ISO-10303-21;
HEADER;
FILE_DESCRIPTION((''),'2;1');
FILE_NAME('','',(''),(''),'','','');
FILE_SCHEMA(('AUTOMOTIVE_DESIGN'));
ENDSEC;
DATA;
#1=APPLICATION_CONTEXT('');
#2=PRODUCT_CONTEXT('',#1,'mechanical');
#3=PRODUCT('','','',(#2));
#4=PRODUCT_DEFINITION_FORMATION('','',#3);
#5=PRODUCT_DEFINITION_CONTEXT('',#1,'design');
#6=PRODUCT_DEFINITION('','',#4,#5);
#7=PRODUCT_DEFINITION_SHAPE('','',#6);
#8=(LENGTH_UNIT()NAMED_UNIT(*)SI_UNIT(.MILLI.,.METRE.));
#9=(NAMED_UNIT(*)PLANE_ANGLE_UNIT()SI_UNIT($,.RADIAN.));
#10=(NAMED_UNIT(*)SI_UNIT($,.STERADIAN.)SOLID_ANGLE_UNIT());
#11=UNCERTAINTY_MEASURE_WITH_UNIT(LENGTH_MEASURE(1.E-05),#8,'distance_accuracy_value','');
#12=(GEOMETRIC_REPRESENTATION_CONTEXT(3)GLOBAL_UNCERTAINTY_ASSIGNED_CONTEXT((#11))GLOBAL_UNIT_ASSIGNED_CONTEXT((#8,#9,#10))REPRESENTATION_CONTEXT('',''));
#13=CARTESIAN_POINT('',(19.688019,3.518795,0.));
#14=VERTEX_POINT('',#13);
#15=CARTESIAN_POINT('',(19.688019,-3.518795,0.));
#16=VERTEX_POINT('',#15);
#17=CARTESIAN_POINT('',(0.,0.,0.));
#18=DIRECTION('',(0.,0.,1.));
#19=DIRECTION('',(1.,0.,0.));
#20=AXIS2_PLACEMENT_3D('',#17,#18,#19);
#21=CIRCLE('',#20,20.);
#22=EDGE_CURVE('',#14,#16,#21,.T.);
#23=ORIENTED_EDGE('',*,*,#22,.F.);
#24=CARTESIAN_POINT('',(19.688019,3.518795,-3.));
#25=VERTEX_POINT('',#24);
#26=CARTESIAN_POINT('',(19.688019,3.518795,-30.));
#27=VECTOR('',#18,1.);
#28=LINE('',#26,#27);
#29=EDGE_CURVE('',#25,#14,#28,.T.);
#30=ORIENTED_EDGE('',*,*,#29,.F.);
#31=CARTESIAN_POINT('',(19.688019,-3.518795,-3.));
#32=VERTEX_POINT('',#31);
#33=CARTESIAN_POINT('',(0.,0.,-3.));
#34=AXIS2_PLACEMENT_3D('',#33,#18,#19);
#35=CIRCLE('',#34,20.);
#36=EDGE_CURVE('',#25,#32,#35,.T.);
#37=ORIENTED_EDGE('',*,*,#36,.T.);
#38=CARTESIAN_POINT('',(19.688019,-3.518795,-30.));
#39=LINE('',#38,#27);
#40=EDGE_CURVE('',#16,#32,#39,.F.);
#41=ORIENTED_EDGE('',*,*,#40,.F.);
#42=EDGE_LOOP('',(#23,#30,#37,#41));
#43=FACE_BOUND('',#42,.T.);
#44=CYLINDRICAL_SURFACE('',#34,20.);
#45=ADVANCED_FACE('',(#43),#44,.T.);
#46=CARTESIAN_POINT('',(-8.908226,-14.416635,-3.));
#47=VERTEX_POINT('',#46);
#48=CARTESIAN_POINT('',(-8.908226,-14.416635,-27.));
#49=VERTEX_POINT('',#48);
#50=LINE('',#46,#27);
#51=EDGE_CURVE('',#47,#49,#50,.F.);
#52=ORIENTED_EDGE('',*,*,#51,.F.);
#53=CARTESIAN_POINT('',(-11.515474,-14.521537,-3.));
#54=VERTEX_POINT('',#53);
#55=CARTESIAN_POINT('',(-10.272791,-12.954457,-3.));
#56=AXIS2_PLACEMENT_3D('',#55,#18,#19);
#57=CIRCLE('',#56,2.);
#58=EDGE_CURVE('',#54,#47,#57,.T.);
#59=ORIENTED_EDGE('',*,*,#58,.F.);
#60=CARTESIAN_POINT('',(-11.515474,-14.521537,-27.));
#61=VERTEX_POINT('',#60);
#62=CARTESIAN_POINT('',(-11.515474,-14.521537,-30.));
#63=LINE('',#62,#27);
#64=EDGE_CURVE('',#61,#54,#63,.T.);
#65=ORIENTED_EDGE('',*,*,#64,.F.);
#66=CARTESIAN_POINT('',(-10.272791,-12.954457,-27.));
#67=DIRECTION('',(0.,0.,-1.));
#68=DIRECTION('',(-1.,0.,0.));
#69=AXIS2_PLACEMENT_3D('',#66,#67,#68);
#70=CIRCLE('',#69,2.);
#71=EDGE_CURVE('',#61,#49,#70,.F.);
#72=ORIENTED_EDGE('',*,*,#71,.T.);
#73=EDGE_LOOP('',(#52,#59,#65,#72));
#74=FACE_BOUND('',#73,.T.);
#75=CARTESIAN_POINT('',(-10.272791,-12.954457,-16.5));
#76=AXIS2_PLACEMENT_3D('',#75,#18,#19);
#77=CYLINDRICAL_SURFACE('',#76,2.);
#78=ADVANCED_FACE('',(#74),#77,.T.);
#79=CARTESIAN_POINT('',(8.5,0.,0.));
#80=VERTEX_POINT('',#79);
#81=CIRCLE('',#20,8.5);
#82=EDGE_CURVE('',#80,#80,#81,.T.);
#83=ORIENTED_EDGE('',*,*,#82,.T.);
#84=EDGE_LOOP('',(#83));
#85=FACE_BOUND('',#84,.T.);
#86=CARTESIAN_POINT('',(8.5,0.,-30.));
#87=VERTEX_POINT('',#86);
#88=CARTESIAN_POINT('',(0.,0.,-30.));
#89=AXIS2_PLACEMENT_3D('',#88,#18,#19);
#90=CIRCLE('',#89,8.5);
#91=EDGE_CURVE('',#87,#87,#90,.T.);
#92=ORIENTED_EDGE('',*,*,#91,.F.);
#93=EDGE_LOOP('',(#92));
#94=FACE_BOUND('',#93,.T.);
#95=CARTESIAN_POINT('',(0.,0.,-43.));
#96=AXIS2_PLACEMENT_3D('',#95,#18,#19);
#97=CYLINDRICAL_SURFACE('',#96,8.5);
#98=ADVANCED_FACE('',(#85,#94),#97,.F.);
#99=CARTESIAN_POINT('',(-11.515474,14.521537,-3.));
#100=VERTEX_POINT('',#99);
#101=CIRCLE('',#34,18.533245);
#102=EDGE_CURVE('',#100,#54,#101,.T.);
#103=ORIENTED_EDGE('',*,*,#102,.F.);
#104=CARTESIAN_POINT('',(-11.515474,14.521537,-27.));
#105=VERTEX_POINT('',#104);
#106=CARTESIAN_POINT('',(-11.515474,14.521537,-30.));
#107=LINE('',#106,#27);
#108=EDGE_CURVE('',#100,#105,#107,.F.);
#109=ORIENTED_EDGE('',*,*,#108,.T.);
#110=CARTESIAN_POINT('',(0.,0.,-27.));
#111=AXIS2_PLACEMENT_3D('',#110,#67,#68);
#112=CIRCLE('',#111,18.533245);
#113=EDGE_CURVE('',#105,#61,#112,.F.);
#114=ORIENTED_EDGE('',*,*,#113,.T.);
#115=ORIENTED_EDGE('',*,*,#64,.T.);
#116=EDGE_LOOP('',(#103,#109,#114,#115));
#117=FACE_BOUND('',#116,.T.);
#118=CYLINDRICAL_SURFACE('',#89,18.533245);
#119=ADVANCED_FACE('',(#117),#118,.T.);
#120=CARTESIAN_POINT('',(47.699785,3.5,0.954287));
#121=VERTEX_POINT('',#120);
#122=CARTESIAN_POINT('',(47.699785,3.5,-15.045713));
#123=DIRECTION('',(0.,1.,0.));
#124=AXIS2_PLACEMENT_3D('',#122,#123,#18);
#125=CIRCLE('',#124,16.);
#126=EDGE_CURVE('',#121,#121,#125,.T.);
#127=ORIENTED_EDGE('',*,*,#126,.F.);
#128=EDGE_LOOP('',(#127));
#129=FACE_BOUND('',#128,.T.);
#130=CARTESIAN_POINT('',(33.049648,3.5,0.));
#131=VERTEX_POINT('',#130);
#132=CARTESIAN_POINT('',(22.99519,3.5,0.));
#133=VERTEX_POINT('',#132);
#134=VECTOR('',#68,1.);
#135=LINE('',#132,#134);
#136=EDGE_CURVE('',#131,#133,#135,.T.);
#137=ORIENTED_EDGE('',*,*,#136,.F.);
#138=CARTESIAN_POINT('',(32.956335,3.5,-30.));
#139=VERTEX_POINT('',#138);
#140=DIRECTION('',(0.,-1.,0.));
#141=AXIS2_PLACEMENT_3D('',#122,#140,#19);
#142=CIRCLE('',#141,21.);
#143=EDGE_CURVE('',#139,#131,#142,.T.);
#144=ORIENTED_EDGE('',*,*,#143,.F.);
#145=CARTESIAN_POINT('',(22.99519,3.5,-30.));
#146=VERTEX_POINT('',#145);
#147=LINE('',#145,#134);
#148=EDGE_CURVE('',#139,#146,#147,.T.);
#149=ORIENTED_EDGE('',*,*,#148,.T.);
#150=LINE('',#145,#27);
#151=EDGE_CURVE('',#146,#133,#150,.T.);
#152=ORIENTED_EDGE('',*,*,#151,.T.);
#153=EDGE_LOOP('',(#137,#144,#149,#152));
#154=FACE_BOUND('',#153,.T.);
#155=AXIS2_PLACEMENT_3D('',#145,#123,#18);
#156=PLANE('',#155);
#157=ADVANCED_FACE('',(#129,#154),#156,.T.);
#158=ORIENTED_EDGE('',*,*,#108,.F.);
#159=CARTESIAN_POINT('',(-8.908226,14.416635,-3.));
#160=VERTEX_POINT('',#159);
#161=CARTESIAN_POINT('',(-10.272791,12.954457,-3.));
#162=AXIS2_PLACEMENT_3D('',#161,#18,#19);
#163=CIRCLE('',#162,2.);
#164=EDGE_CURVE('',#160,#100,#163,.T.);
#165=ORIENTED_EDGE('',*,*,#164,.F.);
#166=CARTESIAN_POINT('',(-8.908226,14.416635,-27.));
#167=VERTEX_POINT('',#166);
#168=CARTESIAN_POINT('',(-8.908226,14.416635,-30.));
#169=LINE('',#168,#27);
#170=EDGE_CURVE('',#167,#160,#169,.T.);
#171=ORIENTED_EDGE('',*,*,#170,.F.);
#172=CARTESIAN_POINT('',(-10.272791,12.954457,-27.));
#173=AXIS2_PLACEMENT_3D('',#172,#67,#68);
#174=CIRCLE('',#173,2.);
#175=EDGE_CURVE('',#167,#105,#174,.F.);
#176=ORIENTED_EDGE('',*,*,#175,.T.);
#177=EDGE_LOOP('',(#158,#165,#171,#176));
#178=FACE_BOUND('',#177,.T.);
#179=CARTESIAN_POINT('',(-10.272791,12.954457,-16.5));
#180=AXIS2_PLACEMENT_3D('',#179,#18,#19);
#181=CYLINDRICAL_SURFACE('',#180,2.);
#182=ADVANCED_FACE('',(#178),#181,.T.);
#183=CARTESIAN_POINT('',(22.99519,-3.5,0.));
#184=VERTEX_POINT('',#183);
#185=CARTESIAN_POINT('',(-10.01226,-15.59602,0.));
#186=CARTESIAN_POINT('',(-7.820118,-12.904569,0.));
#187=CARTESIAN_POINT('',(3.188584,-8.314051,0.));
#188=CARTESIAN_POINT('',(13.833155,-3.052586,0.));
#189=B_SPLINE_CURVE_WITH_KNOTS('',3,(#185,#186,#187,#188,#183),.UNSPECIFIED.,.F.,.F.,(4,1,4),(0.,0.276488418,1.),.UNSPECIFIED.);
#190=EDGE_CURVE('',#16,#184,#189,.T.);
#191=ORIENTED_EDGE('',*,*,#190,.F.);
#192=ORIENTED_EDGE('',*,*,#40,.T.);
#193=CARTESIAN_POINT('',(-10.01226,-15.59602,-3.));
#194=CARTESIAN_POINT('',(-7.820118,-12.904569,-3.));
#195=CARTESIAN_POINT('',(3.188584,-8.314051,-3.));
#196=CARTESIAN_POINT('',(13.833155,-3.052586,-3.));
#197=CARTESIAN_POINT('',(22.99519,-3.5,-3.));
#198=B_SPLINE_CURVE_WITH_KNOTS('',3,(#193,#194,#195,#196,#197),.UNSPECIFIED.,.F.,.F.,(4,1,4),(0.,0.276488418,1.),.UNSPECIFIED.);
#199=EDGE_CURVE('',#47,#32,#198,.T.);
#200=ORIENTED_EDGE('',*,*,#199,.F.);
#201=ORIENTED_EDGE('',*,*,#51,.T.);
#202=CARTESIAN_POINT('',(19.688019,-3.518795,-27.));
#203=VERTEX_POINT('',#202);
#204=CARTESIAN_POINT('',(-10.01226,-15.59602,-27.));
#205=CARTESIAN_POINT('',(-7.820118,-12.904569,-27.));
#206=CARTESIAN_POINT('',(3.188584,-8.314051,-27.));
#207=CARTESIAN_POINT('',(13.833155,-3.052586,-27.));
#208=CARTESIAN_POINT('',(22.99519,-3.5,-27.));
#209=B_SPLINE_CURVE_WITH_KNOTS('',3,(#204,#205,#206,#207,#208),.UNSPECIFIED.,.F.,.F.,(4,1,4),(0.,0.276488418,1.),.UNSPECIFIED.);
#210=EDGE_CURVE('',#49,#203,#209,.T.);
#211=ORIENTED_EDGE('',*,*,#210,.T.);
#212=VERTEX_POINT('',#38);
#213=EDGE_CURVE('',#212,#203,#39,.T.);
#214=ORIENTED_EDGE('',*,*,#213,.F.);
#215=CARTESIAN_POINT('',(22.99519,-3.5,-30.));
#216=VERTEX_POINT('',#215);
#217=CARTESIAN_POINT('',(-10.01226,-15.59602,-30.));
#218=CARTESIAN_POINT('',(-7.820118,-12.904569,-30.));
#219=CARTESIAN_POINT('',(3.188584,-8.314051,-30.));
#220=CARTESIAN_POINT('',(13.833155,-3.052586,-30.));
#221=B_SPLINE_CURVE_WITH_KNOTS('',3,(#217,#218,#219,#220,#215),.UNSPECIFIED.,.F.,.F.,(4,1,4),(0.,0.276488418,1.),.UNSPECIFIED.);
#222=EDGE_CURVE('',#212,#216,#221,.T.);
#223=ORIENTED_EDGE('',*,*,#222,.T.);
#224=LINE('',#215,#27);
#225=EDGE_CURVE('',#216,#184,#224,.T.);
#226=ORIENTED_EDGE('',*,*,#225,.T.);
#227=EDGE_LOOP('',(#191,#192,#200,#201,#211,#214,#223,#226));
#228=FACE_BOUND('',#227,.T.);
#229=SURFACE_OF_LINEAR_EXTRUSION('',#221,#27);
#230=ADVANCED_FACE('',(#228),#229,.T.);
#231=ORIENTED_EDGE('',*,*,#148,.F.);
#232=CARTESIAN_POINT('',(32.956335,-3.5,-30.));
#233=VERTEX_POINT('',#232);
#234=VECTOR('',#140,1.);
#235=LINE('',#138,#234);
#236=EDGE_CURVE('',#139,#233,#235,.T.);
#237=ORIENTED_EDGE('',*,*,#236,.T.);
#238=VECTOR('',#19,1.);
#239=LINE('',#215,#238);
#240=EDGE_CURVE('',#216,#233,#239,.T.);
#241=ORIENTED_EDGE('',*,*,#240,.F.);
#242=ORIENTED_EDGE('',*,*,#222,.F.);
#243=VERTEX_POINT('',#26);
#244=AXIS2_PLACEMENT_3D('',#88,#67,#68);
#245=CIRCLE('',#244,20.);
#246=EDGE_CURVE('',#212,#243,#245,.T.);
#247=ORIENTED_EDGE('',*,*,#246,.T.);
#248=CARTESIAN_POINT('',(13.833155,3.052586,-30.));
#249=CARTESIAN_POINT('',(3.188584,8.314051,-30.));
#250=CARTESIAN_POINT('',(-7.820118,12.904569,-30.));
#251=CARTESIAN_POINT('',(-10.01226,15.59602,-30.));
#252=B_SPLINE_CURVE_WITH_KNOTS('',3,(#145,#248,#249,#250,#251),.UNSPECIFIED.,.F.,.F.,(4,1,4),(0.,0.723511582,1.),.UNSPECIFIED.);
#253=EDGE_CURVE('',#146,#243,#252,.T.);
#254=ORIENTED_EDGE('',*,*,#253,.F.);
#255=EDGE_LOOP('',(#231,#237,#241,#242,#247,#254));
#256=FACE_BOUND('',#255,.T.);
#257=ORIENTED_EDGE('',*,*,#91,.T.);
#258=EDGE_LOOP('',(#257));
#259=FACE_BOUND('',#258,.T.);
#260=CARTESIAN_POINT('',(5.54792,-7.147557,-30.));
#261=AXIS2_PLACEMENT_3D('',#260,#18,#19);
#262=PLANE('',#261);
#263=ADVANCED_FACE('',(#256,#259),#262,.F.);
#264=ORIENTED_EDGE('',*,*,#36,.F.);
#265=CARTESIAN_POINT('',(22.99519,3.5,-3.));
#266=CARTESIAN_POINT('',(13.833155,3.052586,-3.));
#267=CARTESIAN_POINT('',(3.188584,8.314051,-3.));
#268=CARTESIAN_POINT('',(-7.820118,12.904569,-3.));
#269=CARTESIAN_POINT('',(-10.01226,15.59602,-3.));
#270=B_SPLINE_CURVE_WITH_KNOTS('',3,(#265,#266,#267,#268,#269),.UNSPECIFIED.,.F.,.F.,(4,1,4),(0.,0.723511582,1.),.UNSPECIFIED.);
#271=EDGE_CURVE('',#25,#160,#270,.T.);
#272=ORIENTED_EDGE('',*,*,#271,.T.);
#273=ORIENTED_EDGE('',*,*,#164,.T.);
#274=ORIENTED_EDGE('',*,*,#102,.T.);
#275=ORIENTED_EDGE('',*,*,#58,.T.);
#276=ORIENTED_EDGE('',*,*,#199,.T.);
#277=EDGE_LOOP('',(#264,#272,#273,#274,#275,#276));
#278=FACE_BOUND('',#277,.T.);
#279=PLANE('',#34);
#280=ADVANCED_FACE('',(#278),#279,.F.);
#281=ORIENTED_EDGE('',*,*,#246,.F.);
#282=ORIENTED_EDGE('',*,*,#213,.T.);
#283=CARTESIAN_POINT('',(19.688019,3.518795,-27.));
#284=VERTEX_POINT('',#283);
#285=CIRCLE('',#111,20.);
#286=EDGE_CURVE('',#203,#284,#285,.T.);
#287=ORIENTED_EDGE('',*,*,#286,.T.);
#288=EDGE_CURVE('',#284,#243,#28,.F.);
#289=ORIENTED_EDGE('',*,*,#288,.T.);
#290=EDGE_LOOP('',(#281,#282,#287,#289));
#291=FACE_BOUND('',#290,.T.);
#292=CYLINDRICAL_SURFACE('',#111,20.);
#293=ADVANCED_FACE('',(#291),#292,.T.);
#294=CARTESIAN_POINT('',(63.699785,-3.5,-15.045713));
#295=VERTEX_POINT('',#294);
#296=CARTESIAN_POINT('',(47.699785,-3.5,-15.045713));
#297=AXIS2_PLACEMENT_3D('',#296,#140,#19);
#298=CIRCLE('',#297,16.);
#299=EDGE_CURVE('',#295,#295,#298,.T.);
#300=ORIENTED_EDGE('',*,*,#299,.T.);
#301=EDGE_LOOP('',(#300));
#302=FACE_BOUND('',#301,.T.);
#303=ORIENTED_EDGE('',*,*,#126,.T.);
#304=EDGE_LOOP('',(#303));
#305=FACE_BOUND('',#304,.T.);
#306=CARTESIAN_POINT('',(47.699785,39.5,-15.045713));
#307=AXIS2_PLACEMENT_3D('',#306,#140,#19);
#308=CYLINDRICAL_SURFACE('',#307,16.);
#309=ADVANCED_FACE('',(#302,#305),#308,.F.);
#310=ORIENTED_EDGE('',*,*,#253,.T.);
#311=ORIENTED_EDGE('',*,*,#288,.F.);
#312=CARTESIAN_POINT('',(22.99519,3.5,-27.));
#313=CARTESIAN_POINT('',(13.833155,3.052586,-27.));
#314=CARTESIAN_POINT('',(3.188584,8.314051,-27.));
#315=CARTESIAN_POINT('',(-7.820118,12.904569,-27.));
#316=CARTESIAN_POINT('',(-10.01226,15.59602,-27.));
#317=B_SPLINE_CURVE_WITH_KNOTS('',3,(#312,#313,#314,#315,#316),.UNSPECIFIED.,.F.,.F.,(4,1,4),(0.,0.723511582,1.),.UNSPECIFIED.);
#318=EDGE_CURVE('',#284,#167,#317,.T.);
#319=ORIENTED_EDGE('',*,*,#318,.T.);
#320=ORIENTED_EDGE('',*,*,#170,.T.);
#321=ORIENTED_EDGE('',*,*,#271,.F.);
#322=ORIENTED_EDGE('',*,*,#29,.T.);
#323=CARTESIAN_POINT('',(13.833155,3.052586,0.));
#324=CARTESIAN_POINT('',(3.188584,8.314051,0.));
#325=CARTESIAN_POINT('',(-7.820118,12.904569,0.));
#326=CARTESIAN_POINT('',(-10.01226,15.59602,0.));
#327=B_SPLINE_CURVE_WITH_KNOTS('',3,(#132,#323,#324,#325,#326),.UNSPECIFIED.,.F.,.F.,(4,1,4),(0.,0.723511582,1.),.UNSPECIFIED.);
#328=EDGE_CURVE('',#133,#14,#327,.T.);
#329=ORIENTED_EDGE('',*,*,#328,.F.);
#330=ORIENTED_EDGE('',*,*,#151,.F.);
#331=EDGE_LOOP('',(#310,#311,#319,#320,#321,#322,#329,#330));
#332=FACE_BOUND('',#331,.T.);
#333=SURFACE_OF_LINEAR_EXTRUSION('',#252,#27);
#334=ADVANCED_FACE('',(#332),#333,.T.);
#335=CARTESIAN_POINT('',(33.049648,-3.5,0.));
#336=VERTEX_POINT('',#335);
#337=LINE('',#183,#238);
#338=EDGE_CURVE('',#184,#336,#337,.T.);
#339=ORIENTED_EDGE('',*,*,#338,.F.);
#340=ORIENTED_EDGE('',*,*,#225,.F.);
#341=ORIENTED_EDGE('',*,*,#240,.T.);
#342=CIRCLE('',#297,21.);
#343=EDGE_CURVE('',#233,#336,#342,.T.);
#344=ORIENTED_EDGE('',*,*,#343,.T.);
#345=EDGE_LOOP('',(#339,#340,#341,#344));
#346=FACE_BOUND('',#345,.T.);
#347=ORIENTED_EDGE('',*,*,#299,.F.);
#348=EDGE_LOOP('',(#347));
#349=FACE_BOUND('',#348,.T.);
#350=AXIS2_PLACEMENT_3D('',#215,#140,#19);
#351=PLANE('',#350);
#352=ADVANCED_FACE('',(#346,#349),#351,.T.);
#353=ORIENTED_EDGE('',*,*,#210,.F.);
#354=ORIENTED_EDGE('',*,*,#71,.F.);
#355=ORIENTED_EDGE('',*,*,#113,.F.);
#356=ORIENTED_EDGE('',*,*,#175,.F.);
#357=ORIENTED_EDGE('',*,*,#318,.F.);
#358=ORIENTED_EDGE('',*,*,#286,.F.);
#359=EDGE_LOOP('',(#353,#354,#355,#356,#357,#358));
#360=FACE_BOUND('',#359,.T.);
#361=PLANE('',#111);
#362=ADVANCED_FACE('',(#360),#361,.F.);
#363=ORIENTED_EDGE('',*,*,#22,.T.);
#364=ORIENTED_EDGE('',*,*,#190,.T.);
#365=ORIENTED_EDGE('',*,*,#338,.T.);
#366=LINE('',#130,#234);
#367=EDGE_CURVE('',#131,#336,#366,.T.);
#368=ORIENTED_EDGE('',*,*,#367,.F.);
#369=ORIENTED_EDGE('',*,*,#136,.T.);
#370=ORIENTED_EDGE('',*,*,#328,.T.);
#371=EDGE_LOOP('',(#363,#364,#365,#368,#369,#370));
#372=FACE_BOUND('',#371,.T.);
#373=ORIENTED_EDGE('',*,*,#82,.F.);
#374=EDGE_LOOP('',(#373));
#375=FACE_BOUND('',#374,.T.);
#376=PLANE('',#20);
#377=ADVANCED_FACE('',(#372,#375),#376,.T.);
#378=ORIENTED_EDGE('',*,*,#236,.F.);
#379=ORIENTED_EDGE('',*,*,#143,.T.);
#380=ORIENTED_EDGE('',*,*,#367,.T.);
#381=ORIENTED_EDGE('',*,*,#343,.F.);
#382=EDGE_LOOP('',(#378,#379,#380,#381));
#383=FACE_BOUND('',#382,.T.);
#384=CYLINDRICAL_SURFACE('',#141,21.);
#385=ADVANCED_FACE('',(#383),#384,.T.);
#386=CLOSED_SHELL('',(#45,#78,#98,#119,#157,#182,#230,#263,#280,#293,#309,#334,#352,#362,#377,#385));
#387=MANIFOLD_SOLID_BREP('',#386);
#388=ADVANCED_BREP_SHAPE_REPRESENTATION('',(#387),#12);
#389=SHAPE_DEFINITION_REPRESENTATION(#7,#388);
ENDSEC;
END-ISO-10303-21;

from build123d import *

# Parameters (mm, degrees)
SKETCH1_R           = 20
BOSS_EXTRUDE1_DEPTH = 3
BOSS_EXTRUDE2_DEPTH = 30
FILLET1_R           = 2
SKETCH3_R           = 21
BOSS_EXTRUDE3_DEPTH = 7
BOSS_EXTRUDE4_START = -3
SKETCH4_R           = 20
BOSS_EXTRUDE4_DEPTH = 3
SKETCH5_R           = 8.5
CUT_EXTRUDE1_DEPTH  = 43
SKETCH6_R           = 16
CUT_EXTRUDE2_DEPTH  = 43


with BuildPart() as part:
    # Sketch1 → Boss-Extrude1 (new body)
    with BuildSketch(Plane.XY):
        Circle(SKETCH1_R)
    extrude(amount=-BOSS_EXTRUDE1_DEPTH)

    # Sketch2 → Boss-Extrude2 (add)
    with BuildSketch(Plane.XY):
        with BuildLine():
            Line((22.995189637, 3.5), (35.372983102, 3.5))
            Line((35.372983102, 3.5), (35.372983102, -3.5))
            Line((35.372983102, -3.5), (22.995189637, -3.5))
            add(Edge.make_bspline(
                [(-10.012259603, -15.596019766), (-7.820118135, -12.904569359), (3.188583593, -8.31405085), (13.833155486, -3.052585892), (22.995189637, -3.5)],
                knots=[0, 0, 0, 0, 0.276488418, 1, 1, 1, 1], degree=3))
            ThreePointArc((-10.012259603, -15.596019766), (-18.533245126, 0), (-10.012259603, 15.596019766))
            add(Edge.make_bspline(
                [(-10.012259603, 15.596019766), (-7.820118135, 12.904569359), (3.188583593, 8.31405085), (13.833155486, 3.052585892), (22.995189637, 3.5)],
                knots=[0, 0, 0, 0, 0.276488418, 1, 1, 1, 1], degree=3))
        make_face()
    extrude(amount=-BOSS_EXTRUDE2_DEPTH)

    # Fillet1
    fillet1_edges = [part.edges().sort_by_distance(p)[0] for p in [
        (-10.012259603, 15.596019766, -16.5),
        (-10.012259603, -15.596019766, -16.5),
    ]]
    fillet(fillet1_edges, radius=FILLET1_R)

    # Sketch3 → Boss-Extrude3 (add)
    with BuildSketch(Plane.XZ.offset(3.5)):
        with Locations((47.699784797, -15.04571332)):
            Circle(SKETCH3_R)
    extrude(amount=-BOSS_EXTRUDE3_DEPTH)

    # Sketch4 → Boss-Extrude4 (add)
    with BuildSketch(Plane(origin=(0, 0, -30), x_dir=(-1, 0, 0), z_dir=(0, 0, -1)).offset(BOSS_EXTRUDE4_START)):
        Circle(SKETCH4_R)
    extrude(amount=BOSS_EXTRUDE4_DEPTH)

    # Sketch5 → Cut-Extrude1 (cut)
    with BuildSketch(Plane.XY):
        Circle(SKETCH5_R)
    extrude(amount=-CUT_EXTRUDE1_DEPTH, mode=Mode.SUBTRACT)

    # Sketch6 → Cut-Extrude2 (cut)
    with BuildSketch(Plane.XZ.offset(3.5)):
        with Locations((47.699784797, -15.04571332)):
            Circle(SKETCH6_R)
    extrude(amount=-CUT_EXTRUDE2_DEPTH, mode=Mode.SUBTRACT)


solid = part.part
